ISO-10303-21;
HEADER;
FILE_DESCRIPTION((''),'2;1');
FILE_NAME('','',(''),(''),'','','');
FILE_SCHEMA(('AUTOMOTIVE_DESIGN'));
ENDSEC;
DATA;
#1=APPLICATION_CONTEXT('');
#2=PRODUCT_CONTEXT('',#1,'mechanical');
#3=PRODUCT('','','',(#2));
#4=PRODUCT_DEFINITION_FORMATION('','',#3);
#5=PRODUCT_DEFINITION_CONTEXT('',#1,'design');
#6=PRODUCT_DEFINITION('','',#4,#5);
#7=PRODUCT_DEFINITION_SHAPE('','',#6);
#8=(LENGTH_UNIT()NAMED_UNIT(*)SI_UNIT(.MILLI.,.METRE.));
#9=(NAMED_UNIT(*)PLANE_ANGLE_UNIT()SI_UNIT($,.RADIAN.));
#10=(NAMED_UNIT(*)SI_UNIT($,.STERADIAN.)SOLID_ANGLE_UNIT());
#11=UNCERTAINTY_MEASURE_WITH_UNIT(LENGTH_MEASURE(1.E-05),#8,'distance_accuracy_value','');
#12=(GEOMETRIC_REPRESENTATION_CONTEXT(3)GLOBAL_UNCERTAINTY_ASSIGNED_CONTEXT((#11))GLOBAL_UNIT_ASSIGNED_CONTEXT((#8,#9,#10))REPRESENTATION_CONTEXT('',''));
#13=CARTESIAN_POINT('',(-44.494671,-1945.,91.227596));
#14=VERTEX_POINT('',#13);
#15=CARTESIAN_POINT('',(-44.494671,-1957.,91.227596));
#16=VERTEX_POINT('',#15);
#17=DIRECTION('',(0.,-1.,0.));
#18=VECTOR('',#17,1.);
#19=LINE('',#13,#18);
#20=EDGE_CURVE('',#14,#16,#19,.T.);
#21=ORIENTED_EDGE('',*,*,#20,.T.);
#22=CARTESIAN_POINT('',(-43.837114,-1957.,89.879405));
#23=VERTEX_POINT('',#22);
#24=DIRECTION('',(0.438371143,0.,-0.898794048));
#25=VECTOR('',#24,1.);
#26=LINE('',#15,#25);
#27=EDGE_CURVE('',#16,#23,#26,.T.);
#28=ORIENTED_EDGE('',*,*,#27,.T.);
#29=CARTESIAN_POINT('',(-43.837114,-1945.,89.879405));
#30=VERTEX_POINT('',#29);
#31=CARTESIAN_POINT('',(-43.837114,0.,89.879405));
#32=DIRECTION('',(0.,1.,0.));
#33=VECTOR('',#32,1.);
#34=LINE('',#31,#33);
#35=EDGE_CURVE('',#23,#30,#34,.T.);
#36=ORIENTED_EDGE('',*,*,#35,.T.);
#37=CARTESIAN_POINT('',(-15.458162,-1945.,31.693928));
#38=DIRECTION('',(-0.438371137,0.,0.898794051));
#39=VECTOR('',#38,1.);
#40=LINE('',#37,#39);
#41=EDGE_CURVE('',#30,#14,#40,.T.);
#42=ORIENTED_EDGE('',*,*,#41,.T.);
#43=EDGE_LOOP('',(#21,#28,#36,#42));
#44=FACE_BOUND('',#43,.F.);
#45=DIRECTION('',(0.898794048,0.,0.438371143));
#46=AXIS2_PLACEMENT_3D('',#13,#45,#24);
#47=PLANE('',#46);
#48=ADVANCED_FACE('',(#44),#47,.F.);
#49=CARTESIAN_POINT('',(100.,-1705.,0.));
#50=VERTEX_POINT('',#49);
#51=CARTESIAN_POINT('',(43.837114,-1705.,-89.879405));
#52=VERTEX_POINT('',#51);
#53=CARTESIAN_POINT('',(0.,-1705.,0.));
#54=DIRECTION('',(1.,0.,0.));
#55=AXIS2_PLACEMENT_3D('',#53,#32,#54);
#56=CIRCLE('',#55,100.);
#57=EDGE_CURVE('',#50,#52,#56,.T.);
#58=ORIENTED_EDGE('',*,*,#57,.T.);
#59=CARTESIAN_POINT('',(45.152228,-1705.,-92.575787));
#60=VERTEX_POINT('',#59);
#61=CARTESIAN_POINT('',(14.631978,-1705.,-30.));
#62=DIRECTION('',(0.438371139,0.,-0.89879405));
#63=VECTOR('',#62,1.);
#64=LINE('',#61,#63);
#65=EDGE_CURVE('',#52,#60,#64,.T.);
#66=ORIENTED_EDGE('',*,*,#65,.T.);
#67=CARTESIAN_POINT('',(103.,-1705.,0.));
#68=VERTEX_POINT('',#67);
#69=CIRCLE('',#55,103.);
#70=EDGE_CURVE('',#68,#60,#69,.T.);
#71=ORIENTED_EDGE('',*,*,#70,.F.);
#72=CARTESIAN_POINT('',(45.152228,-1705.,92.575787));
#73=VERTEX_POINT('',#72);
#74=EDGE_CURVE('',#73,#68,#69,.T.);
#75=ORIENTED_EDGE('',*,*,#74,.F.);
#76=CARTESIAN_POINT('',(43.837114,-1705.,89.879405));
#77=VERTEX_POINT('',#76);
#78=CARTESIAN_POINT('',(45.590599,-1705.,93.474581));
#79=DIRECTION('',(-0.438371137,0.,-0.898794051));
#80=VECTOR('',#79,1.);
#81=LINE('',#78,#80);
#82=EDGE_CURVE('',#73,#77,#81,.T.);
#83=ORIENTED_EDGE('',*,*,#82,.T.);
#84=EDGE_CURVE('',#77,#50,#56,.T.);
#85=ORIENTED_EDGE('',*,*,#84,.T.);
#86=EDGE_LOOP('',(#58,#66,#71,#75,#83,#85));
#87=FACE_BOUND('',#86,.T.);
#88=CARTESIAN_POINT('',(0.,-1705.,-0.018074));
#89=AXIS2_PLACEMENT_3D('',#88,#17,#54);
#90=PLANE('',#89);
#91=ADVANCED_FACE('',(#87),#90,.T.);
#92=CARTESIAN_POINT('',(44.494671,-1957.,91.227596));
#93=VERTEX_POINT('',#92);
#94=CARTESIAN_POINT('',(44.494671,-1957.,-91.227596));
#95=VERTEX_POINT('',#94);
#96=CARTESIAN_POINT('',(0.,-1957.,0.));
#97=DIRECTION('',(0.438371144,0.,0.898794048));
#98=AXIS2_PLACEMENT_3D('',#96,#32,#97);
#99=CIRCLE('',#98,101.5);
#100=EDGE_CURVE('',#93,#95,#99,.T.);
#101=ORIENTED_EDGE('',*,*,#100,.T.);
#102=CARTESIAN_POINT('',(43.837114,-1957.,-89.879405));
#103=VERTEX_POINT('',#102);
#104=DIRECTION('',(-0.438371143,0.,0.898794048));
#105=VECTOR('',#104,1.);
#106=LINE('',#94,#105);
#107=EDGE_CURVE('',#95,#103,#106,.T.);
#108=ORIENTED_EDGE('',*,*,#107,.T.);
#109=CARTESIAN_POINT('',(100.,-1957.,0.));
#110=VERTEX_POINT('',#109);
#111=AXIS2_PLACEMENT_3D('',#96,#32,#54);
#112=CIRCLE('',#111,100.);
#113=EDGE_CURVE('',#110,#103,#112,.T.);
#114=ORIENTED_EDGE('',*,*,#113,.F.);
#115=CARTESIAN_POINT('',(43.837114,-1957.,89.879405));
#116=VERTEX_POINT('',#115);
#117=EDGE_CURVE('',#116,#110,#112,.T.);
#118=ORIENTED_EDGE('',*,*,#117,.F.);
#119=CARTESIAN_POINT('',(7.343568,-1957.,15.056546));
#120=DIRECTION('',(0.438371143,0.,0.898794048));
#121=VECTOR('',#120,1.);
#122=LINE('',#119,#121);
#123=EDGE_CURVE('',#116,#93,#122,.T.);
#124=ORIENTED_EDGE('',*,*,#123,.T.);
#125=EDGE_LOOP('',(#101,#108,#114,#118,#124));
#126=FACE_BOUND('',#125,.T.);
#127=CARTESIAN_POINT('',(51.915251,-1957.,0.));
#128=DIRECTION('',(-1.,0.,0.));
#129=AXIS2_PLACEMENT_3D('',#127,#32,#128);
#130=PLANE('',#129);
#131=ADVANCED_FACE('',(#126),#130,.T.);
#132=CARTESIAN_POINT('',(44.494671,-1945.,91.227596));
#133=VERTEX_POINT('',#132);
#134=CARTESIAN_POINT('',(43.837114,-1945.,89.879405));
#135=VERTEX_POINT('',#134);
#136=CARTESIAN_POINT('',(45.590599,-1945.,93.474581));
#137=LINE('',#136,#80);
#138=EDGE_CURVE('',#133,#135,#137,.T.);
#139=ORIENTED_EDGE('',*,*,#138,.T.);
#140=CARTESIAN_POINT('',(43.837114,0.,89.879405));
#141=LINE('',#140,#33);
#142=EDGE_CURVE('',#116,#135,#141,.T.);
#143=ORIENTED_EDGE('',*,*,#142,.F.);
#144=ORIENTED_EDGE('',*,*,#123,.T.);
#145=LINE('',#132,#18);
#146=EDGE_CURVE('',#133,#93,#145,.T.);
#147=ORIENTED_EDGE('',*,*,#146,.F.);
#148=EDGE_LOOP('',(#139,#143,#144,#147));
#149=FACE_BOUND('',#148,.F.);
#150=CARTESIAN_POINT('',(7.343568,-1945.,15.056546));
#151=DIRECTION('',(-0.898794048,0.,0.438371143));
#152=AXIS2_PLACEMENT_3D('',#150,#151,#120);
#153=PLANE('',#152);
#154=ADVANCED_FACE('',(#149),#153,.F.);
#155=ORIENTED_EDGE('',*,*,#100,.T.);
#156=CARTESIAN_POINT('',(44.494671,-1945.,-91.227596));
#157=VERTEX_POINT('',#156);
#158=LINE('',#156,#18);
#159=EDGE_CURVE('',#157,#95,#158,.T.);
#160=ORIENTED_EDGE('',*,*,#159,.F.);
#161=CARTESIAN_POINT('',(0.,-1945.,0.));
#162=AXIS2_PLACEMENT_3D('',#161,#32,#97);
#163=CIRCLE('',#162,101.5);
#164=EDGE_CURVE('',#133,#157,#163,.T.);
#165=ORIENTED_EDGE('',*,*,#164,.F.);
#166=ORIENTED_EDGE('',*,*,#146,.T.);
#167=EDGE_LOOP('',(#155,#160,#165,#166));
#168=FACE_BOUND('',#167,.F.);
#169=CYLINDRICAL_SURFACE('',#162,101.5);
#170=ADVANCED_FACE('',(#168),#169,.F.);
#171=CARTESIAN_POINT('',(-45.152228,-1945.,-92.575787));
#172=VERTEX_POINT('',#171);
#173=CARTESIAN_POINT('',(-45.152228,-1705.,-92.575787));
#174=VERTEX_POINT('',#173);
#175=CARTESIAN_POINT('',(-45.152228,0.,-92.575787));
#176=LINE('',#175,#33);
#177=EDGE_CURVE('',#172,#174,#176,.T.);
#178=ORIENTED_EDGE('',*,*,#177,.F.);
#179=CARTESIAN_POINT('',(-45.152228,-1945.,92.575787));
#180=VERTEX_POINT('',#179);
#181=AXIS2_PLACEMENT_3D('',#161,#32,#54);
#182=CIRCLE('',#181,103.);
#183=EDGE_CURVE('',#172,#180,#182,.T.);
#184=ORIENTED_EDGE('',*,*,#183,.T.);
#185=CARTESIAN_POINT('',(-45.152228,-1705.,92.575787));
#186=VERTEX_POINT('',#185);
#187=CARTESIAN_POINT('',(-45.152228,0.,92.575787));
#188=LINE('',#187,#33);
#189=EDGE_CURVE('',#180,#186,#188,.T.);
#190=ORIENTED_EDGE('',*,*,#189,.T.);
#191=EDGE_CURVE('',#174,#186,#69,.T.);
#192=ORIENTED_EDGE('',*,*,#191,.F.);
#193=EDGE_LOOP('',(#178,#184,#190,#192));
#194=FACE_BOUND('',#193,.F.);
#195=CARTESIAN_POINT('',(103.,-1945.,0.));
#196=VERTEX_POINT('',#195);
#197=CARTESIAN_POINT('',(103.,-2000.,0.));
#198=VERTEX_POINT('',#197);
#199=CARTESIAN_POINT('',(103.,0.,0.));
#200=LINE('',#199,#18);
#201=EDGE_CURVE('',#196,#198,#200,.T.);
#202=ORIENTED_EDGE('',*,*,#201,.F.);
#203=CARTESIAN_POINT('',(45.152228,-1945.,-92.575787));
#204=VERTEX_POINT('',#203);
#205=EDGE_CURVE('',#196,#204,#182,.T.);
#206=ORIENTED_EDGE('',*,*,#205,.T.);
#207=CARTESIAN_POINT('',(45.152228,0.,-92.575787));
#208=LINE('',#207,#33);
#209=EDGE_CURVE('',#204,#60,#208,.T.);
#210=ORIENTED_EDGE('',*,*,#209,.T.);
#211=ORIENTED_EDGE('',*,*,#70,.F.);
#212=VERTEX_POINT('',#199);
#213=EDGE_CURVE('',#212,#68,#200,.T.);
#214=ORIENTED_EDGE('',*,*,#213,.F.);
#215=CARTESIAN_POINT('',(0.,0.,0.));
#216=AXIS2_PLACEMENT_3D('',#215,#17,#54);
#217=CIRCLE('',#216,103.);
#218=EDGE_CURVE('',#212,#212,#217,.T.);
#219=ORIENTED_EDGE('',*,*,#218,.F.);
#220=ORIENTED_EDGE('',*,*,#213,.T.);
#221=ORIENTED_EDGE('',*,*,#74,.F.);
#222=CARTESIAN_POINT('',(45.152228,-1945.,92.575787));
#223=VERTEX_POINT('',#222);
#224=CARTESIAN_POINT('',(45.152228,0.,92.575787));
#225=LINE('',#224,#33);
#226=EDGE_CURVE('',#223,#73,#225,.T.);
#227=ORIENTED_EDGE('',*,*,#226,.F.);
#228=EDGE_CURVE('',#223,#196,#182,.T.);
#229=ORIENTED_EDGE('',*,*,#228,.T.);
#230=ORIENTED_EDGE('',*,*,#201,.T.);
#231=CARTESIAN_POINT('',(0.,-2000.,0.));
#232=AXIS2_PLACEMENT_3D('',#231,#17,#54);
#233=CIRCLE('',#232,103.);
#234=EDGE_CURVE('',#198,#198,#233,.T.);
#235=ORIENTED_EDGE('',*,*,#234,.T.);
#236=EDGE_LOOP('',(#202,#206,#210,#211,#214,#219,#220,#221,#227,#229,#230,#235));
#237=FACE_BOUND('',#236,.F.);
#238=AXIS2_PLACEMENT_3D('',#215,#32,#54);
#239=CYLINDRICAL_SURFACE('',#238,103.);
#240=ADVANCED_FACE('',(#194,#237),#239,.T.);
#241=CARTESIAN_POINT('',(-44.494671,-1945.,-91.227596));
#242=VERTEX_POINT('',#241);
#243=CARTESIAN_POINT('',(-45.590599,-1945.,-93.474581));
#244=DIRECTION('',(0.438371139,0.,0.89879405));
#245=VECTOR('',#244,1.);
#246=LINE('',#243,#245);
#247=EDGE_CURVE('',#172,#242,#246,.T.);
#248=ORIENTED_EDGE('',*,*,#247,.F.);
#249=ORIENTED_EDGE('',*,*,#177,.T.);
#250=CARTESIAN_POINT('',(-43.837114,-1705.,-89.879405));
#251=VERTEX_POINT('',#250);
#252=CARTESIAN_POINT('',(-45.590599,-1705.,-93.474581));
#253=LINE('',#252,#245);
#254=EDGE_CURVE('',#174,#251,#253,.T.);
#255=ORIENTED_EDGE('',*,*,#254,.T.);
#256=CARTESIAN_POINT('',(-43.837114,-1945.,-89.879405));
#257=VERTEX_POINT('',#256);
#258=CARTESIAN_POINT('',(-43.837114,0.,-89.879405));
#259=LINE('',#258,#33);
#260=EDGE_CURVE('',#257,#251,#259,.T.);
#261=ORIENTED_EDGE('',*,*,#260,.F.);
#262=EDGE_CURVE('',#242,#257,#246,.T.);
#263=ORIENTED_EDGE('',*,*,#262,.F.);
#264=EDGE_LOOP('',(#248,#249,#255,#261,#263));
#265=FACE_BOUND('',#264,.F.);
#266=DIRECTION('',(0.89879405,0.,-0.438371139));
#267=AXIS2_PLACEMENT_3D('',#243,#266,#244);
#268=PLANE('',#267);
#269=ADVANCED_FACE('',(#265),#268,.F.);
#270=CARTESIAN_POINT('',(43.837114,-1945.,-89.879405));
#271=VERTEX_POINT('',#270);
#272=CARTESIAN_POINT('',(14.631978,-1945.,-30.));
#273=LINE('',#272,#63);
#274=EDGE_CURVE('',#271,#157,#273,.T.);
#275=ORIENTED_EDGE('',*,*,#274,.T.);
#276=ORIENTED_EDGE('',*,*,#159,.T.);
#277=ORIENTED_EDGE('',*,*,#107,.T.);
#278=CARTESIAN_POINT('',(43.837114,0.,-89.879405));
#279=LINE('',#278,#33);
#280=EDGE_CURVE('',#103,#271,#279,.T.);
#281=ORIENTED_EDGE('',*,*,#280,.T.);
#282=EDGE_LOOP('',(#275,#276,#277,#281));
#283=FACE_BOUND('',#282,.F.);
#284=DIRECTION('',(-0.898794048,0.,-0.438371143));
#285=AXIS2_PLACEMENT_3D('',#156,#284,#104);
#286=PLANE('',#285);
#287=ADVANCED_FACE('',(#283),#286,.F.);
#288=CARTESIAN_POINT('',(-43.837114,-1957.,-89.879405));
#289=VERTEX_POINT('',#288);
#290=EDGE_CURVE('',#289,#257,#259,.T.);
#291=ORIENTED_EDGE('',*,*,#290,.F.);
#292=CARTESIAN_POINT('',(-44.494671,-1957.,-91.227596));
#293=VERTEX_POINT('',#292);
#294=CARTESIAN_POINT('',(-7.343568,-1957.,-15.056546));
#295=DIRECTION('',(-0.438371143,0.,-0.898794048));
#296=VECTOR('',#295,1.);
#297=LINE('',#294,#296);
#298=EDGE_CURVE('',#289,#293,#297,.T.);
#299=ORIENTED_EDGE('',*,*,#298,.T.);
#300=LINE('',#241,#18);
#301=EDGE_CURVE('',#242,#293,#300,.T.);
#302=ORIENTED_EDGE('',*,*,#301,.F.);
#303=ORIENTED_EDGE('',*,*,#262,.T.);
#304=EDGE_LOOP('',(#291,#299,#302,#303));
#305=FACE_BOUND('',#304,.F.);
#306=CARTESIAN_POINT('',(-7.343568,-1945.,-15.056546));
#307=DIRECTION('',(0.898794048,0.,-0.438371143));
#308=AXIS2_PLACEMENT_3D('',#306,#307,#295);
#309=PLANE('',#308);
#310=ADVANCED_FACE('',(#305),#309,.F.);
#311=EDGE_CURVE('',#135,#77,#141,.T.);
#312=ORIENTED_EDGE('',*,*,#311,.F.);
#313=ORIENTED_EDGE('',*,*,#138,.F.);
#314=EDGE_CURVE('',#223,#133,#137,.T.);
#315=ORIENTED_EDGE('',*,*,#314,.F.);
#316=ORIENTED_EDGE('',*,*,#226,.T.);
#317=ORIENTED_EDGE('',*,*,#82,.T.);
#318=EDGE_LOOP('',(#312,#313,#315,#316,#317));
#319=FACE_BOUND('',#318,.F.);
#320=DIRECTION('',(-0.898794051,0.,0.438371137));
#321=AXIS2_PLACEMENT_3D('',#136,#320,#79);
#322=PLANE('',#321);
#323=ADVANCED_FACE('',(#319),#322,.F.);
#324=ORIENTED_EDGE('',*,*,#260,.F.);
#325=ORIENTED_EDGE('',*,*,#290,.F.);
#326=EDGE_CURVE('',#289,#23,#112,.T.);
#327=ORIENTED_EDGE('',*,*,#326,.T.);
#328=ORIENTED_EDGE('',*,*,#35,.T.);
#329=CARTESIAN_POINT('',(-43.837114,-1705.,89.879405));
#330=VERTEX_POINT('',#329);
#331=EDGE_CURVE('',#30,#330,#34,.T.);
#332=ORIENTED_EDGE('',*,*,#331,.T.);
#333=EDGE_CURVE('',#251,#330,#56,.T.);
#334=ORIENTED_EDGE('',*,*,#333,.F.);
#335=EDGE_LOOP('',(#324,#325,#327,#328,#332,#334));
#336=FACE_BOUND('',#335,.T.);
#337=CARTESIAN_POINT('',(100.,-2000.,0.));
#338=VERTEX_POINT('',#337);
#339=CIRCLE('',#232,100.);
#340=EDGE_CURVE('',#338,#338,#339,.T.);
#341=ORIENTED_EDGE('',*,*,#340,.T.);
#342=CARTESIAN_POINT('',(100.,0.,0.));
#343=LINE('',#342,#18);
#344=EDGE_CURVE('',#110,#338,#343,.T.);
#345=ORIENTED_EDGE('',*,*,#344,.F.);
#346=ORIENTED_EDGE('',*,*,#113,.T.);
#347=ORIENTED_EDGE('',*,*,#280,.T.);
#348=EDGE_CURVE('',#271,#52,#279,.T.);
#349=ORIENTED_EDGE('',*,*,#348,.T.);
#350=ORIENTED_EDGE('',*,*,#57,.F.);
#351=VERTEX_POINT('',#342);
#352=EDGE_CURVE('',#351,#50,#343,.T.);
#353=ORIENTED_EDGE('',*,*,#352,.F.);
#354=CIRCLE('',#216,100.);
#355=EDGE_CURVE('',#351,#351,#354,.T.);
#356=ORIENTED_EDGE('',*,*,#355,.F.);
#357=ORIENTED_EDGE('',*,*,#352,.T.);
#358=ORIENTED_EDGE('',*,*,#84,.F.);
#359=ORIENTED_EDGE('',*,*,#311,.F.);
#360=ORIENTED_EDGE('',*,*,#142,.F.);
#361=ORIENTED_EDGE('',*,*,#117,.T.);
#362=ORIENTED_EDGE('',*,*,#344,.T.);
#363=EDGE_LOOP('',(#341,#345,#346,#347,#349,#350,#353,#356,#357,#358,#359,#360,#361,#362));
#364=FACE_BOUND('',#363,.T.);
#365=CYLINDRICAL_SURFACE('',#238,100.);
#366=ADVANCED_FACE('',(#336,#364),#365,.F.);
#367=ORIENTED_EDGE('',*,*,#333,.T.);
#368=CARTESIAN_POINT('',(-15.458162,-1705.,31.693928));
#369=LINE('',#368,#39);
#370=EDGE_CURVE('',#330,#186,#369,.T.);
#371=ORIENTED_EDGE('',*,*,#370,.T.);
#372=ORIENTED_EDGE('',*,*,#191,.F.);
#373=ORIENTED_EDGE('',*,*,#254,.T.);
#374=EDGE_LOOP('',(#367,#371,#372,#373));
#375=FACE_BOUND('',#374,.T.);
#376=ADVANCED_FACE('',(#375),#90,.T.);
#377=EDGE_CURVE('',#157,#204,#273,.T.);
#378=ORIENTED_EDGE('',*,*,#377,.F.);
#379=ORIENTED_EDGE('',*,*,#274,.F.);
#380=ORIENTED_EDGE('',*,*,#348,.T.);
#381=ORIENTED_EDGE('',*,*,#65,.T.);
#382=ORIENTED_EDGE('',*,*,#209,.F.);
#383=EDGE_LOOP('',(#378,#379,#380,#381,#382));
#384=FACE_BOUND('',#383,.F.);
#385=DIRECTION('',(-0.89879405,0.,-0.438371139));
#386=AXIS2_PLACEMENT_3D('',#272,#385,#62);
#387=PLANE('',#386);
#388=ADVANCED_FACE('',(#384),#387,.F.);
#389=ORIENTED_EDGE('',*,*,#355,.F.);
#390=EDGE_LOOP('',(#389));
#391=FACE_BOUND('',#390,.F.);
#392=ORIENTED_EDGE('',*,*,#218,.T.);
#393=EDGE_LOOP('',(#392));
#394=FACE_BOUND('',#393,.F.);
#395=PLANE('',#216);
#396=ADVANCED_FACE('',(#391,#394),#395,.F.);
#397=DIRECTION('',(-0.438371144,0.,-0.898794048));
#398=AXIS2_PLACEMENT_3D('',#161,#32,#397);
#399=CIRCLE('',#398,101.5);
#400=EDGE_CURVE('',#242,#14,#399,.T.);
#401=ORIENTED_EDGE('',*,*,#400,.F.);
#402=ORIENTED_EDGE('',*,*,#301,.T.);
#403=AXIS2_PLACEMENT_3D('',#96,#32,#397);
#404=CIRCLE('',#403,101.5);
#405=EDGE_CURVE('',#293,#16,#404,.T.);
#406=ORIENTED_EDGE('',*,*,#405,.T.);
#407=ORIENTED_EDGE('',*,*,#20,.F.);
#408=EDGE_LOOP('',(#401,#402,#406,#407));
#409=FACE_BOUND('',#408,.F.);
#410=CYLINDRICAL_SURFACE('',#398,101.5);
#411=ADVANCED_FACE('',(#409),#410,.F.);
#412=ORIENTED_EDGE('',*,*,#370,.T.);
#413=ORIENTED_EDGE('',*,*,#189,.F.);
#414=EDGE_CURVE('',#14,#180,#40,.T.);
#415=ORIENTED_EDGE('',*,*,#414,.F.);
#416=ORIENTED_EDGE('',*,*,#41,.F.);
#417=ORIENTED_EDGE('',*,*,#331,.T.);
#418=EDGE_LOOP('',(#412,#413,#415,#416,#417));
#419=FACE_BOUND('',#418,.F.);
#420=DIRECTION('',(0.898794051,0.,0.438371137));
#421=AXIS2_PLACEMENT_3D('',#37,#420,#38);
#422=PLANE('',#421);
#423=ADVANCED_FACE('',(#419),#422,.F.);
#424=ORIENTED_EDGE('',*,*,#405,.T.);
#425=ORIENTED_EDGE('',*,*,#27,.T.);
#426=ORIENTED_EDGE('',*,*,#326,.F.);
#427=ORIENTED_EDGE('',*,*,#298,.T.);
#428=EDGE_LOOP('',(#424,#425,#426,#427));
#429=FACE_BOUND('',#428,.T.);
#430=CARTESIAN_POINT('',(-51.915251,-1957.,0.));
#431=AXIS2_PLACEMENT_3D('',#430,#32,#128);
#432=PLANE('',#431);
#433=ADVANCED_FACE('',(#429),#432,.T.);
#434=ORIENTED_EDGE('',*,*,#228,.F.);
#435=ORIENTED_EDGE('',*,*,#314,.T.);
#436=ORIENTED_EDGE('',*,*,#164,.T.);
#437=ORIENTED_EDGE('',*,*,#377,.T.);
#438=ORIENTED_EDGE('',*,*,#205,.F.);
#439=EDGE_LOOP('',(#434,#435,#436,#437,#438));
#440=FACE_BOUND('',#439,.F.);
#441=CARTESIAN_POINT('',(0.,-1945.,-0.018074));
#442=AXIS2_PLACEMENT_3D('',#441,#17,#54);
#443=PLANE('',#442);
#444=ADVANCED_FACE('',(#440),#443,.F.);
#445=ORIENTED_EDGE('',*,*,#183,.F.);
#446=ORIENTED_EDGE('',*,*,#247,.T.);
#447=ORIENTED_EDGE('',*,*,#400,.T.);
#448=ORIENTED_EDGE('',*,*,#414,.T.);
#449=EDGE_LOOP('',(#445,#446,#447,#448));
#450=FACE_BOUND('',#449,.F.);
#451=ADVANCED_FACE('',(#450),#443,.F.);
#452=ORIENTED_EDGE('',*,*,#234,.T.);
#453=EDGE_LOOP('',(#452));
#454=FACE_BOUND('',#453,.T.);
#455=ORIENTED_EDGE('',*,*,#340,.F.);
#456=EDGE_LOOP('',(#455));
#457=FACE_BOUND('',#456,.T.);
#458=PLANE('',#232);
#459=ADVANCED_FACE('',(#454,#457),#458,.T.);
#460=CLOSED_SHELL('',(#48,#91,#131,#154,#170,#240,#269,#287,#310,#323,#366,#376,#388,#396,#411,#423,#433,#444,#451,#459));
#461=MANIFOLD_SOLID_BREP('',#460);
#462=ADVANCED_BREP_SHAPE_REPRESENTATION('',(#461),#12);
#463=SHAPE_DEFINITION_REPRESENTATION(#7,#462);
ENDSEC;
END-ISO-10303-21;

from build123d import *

# Parameters (mm, degrees)
F0_R     = 103
F0_R_2   = 100
F1_DEPTH = 2000
F4_DEPTH = 240
F6_DEPTH = 12


with BuildPart() as f1:
    # F0 (on Front) → F1 (new body)
    with BuildSketch(Plane.XZ):
        Circle(F0_R)
        Circle(F0_R_2, mode=Mode.SUBTRACT)
    extrude(amount=F1_DEPTH)

    # F3 (on offset) → F4 (cut)
    with BuildSketch(Plane.XZ.offset(1945)):
        with BuildLine():
            Line((14.631978, -30), (45.590599, -93.474581))
            ThreePointArc((45.590599, -93.474581), (104, 0), (45.590599, 93.474581))
            Line((45.590599, 93.474581), (15.458162, 31.693928))
            Line((15.458162, 31.693928), (-15.458162, 31.693928))
            Line((-15.458162, 31.693928), (-45.590599, 93.474581))
            ThreePointArc((-45.590599, 93.474581), (-104, 0), (-45.590599, -93.474581))
            Line((-45.590599, -93.474581), (-14.631978, -30))
            Line((-14.631978, -30), (14.631978, -30))
        make_face()
    extrude(amount=-F4_DEPTH, mode=Mode.SUBTRACT)

    # F5 (on face) → F6 (cut)
    with BuildSketch(Plane(origin=(0, -1945, 0), x_dir=(-1, 0, 0), z_dir=(0, 1, 0))):
        with BuildLine():
            Line((-44.494671, -91.227596), (-7.343568, -15.056546))
            Line((-7.343568, -15.056546), (-7.343568, 15.056546))
            Line((-7.343568, 15.056546), (-44.494671, 91.227596))
            ThreePointArc((-44.494671, 91.227596), (-101.5, 0), (-44.494671, -91.227596))
        make_face()
        with BuildLine():
            Line((7.343568, 15.056546), (7.343568, -15.056546))
            Line((7.343568, -15.056546), (44.494671, -91.227596))
            ThreePointArc((44.494671, -91.227596), (101.5, 0), (44.494671, 91.227596))
            Line((44.494671, 91.227596), (7.343568, 15.056546))
        make_face()
    extrude(amount=-F6_DEPTH, mode=Mode.SUBTRACT)


solid = f1.part
